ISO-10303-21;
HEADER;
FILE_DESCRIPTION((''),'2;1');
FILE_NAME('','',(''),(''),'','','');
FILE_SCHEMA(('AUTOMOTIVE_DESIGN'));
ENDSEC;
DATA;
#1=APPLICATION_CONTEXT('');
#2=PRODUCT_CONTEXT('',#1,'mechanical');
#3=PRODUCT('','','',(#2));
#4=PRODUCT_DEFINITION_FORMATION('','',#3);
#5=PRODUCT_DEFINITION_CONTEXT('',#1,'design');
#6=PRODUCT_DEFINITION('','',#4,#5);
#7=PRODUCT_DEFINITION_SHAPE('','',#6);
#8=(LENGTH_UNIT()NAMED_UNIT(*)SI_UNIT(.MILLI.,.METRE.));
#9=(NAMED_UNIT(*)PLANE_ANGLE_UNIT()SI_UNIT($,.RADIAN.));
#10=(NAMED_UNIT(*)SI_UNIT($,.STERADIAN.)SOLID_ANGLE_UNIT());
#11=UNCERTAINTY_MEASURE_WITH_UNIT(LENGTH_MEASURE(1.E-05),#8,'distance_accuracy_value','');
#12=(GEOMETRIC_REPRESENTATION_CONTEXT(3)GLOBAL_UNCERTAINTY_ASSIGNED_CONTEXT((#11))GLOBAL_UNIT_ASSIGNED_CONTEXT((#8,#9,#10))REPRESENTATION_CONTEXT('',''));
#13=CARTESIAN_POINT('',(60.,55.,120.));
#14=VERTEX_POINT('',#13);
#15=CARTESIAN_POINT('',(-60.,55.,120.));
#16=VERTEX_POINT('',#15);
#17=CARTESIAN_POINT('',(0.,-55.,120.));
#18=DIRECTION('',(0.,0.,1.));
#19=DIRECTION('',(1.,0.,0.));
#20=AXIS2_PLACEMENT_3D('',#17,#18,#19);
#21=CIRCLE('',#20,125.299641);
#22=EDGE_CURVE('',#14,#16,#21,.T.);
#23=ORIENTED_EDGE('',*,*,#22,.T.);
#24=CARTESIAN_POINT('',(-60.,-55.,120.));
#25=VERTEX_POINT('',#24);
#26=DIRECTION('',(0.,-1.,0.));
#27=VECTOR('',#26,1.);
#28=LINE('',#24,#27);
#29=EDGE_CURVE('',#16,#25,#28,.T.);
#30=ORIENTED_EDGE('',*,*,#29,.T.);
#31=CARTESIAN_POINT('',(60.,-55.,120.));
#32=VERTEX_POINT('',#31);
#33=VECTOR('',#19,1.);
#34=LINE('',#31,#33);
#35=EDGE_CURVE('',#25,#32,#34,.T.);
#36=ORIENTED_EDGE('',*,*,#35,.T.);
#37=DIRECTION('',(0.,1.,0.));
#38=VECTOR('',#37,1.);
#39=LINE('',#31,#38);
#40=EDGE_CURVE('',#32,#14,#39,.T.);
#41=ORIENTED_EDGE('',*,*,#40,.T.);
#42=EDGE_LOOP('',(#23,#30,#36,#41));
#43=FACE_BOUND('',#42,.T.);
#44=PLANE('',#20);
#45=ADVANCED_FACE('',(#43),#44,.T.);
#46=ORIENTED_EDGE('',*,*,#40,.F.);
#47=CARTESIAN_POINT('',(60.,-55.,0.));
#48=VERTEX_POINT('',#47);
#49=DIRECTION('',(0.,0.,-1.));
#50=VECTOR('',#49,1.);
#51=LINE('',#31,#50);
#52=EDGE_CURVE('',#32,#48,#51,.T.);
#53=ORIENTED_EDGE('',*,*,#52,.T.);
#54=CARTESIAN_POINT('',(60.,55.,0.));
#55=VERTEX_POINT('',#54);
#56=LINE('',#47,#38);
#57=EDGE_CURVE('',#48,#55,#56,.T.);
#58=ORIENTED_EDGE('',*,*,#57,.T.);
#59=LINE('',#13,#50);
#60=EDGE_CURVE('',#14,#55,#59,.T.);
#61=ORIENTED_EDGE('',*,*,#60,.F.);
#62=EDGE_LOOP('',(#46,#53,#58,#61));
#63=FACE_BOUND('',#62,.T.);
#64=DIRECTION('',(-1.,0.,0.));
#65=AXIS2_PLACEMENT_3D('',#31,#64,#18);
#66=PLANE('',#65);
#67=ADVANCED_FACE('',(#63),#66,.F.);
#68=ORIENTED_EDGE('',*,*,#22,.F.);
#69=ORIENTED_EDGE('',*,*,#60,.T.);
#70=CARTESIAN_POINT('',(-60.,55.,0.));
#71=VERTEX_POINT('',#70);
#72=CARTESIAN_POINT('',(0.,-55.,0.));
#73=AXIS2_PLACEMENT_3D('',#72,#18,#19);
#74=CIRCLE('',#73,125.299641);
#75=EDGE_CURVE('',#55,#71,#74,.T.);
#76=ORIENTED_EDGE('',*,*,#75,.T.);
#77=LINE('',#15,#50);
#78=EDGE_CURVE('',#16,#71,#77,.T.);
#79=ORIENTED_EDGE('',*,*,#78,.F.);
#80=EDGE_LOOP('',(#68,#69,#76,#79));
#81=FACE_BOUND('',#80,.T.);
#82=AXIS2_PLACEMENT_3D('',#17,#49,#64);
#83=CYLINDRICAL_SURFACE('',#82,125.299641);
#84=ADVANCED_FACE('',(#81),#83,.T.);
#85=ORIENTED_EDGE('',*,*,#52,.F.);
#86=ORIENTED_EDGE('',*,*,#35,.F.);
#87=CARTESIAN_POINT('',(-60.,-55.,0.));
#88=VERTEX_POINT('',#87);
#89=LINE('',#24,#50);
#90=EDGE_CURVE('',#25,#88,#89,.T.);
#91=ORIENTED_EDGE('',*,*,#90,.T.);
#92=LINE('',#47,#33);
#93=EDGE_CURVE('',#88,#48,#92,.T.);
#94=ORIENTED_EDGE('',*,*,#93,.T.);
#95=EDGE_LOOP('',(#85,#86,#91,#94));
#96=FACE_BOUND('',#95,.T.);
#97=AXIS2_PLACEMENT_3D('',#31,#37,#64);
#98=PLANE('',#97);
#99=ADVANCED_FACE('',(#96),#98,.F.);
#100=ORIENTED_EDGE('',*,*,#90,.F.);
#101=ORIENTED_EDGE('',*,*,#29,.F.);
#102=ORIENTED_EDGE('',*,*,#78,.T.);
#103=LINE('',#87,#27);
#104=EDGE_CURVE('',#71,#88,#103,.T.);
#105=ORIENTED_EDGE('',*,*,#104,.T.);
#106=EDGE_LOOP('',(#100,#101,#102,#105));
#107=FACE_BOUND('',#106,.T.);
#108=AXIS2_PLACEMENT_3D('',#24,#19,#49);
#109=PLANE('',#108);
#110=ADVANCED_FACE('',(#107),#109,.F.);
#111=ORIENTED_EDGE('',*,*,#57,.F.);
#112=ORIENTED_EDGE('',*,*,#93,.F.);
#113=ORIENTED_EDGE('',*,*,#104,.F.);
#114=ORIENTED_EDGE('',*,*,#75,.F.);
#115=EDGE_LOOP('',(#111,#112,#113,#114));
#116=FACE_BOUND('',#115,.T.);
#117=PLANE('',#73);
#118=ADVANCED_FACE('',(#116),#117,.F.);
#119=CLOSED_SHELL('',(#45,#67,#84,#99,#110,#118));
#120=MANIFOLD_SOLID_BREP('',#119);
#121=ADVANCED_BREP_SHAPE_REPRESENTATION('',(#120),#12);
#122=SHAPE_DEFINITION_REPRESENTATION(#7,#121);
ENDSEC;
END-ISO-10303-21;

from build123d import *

# Parameters (mm, degrees)
BOSS_EXTRUDE1_DEPTH = 120


with BuildPart() as part:
    # Sketch1 → Boss-Extrude1 (new body)
    with BuildSketch(Plane.XY):
        with BuildLine():
            Line((60, -55), (-60, -55))
            Line((-60, -55), (-60, 55))
            ThreePointArc((-60, 55), (0, 70.299640861), (60, 55))
            Line((60, 55), (60, -55))
        make_face()
    extrude(amount=BOSS_EXTRUDE1_DEPTH)


solid = part.part
